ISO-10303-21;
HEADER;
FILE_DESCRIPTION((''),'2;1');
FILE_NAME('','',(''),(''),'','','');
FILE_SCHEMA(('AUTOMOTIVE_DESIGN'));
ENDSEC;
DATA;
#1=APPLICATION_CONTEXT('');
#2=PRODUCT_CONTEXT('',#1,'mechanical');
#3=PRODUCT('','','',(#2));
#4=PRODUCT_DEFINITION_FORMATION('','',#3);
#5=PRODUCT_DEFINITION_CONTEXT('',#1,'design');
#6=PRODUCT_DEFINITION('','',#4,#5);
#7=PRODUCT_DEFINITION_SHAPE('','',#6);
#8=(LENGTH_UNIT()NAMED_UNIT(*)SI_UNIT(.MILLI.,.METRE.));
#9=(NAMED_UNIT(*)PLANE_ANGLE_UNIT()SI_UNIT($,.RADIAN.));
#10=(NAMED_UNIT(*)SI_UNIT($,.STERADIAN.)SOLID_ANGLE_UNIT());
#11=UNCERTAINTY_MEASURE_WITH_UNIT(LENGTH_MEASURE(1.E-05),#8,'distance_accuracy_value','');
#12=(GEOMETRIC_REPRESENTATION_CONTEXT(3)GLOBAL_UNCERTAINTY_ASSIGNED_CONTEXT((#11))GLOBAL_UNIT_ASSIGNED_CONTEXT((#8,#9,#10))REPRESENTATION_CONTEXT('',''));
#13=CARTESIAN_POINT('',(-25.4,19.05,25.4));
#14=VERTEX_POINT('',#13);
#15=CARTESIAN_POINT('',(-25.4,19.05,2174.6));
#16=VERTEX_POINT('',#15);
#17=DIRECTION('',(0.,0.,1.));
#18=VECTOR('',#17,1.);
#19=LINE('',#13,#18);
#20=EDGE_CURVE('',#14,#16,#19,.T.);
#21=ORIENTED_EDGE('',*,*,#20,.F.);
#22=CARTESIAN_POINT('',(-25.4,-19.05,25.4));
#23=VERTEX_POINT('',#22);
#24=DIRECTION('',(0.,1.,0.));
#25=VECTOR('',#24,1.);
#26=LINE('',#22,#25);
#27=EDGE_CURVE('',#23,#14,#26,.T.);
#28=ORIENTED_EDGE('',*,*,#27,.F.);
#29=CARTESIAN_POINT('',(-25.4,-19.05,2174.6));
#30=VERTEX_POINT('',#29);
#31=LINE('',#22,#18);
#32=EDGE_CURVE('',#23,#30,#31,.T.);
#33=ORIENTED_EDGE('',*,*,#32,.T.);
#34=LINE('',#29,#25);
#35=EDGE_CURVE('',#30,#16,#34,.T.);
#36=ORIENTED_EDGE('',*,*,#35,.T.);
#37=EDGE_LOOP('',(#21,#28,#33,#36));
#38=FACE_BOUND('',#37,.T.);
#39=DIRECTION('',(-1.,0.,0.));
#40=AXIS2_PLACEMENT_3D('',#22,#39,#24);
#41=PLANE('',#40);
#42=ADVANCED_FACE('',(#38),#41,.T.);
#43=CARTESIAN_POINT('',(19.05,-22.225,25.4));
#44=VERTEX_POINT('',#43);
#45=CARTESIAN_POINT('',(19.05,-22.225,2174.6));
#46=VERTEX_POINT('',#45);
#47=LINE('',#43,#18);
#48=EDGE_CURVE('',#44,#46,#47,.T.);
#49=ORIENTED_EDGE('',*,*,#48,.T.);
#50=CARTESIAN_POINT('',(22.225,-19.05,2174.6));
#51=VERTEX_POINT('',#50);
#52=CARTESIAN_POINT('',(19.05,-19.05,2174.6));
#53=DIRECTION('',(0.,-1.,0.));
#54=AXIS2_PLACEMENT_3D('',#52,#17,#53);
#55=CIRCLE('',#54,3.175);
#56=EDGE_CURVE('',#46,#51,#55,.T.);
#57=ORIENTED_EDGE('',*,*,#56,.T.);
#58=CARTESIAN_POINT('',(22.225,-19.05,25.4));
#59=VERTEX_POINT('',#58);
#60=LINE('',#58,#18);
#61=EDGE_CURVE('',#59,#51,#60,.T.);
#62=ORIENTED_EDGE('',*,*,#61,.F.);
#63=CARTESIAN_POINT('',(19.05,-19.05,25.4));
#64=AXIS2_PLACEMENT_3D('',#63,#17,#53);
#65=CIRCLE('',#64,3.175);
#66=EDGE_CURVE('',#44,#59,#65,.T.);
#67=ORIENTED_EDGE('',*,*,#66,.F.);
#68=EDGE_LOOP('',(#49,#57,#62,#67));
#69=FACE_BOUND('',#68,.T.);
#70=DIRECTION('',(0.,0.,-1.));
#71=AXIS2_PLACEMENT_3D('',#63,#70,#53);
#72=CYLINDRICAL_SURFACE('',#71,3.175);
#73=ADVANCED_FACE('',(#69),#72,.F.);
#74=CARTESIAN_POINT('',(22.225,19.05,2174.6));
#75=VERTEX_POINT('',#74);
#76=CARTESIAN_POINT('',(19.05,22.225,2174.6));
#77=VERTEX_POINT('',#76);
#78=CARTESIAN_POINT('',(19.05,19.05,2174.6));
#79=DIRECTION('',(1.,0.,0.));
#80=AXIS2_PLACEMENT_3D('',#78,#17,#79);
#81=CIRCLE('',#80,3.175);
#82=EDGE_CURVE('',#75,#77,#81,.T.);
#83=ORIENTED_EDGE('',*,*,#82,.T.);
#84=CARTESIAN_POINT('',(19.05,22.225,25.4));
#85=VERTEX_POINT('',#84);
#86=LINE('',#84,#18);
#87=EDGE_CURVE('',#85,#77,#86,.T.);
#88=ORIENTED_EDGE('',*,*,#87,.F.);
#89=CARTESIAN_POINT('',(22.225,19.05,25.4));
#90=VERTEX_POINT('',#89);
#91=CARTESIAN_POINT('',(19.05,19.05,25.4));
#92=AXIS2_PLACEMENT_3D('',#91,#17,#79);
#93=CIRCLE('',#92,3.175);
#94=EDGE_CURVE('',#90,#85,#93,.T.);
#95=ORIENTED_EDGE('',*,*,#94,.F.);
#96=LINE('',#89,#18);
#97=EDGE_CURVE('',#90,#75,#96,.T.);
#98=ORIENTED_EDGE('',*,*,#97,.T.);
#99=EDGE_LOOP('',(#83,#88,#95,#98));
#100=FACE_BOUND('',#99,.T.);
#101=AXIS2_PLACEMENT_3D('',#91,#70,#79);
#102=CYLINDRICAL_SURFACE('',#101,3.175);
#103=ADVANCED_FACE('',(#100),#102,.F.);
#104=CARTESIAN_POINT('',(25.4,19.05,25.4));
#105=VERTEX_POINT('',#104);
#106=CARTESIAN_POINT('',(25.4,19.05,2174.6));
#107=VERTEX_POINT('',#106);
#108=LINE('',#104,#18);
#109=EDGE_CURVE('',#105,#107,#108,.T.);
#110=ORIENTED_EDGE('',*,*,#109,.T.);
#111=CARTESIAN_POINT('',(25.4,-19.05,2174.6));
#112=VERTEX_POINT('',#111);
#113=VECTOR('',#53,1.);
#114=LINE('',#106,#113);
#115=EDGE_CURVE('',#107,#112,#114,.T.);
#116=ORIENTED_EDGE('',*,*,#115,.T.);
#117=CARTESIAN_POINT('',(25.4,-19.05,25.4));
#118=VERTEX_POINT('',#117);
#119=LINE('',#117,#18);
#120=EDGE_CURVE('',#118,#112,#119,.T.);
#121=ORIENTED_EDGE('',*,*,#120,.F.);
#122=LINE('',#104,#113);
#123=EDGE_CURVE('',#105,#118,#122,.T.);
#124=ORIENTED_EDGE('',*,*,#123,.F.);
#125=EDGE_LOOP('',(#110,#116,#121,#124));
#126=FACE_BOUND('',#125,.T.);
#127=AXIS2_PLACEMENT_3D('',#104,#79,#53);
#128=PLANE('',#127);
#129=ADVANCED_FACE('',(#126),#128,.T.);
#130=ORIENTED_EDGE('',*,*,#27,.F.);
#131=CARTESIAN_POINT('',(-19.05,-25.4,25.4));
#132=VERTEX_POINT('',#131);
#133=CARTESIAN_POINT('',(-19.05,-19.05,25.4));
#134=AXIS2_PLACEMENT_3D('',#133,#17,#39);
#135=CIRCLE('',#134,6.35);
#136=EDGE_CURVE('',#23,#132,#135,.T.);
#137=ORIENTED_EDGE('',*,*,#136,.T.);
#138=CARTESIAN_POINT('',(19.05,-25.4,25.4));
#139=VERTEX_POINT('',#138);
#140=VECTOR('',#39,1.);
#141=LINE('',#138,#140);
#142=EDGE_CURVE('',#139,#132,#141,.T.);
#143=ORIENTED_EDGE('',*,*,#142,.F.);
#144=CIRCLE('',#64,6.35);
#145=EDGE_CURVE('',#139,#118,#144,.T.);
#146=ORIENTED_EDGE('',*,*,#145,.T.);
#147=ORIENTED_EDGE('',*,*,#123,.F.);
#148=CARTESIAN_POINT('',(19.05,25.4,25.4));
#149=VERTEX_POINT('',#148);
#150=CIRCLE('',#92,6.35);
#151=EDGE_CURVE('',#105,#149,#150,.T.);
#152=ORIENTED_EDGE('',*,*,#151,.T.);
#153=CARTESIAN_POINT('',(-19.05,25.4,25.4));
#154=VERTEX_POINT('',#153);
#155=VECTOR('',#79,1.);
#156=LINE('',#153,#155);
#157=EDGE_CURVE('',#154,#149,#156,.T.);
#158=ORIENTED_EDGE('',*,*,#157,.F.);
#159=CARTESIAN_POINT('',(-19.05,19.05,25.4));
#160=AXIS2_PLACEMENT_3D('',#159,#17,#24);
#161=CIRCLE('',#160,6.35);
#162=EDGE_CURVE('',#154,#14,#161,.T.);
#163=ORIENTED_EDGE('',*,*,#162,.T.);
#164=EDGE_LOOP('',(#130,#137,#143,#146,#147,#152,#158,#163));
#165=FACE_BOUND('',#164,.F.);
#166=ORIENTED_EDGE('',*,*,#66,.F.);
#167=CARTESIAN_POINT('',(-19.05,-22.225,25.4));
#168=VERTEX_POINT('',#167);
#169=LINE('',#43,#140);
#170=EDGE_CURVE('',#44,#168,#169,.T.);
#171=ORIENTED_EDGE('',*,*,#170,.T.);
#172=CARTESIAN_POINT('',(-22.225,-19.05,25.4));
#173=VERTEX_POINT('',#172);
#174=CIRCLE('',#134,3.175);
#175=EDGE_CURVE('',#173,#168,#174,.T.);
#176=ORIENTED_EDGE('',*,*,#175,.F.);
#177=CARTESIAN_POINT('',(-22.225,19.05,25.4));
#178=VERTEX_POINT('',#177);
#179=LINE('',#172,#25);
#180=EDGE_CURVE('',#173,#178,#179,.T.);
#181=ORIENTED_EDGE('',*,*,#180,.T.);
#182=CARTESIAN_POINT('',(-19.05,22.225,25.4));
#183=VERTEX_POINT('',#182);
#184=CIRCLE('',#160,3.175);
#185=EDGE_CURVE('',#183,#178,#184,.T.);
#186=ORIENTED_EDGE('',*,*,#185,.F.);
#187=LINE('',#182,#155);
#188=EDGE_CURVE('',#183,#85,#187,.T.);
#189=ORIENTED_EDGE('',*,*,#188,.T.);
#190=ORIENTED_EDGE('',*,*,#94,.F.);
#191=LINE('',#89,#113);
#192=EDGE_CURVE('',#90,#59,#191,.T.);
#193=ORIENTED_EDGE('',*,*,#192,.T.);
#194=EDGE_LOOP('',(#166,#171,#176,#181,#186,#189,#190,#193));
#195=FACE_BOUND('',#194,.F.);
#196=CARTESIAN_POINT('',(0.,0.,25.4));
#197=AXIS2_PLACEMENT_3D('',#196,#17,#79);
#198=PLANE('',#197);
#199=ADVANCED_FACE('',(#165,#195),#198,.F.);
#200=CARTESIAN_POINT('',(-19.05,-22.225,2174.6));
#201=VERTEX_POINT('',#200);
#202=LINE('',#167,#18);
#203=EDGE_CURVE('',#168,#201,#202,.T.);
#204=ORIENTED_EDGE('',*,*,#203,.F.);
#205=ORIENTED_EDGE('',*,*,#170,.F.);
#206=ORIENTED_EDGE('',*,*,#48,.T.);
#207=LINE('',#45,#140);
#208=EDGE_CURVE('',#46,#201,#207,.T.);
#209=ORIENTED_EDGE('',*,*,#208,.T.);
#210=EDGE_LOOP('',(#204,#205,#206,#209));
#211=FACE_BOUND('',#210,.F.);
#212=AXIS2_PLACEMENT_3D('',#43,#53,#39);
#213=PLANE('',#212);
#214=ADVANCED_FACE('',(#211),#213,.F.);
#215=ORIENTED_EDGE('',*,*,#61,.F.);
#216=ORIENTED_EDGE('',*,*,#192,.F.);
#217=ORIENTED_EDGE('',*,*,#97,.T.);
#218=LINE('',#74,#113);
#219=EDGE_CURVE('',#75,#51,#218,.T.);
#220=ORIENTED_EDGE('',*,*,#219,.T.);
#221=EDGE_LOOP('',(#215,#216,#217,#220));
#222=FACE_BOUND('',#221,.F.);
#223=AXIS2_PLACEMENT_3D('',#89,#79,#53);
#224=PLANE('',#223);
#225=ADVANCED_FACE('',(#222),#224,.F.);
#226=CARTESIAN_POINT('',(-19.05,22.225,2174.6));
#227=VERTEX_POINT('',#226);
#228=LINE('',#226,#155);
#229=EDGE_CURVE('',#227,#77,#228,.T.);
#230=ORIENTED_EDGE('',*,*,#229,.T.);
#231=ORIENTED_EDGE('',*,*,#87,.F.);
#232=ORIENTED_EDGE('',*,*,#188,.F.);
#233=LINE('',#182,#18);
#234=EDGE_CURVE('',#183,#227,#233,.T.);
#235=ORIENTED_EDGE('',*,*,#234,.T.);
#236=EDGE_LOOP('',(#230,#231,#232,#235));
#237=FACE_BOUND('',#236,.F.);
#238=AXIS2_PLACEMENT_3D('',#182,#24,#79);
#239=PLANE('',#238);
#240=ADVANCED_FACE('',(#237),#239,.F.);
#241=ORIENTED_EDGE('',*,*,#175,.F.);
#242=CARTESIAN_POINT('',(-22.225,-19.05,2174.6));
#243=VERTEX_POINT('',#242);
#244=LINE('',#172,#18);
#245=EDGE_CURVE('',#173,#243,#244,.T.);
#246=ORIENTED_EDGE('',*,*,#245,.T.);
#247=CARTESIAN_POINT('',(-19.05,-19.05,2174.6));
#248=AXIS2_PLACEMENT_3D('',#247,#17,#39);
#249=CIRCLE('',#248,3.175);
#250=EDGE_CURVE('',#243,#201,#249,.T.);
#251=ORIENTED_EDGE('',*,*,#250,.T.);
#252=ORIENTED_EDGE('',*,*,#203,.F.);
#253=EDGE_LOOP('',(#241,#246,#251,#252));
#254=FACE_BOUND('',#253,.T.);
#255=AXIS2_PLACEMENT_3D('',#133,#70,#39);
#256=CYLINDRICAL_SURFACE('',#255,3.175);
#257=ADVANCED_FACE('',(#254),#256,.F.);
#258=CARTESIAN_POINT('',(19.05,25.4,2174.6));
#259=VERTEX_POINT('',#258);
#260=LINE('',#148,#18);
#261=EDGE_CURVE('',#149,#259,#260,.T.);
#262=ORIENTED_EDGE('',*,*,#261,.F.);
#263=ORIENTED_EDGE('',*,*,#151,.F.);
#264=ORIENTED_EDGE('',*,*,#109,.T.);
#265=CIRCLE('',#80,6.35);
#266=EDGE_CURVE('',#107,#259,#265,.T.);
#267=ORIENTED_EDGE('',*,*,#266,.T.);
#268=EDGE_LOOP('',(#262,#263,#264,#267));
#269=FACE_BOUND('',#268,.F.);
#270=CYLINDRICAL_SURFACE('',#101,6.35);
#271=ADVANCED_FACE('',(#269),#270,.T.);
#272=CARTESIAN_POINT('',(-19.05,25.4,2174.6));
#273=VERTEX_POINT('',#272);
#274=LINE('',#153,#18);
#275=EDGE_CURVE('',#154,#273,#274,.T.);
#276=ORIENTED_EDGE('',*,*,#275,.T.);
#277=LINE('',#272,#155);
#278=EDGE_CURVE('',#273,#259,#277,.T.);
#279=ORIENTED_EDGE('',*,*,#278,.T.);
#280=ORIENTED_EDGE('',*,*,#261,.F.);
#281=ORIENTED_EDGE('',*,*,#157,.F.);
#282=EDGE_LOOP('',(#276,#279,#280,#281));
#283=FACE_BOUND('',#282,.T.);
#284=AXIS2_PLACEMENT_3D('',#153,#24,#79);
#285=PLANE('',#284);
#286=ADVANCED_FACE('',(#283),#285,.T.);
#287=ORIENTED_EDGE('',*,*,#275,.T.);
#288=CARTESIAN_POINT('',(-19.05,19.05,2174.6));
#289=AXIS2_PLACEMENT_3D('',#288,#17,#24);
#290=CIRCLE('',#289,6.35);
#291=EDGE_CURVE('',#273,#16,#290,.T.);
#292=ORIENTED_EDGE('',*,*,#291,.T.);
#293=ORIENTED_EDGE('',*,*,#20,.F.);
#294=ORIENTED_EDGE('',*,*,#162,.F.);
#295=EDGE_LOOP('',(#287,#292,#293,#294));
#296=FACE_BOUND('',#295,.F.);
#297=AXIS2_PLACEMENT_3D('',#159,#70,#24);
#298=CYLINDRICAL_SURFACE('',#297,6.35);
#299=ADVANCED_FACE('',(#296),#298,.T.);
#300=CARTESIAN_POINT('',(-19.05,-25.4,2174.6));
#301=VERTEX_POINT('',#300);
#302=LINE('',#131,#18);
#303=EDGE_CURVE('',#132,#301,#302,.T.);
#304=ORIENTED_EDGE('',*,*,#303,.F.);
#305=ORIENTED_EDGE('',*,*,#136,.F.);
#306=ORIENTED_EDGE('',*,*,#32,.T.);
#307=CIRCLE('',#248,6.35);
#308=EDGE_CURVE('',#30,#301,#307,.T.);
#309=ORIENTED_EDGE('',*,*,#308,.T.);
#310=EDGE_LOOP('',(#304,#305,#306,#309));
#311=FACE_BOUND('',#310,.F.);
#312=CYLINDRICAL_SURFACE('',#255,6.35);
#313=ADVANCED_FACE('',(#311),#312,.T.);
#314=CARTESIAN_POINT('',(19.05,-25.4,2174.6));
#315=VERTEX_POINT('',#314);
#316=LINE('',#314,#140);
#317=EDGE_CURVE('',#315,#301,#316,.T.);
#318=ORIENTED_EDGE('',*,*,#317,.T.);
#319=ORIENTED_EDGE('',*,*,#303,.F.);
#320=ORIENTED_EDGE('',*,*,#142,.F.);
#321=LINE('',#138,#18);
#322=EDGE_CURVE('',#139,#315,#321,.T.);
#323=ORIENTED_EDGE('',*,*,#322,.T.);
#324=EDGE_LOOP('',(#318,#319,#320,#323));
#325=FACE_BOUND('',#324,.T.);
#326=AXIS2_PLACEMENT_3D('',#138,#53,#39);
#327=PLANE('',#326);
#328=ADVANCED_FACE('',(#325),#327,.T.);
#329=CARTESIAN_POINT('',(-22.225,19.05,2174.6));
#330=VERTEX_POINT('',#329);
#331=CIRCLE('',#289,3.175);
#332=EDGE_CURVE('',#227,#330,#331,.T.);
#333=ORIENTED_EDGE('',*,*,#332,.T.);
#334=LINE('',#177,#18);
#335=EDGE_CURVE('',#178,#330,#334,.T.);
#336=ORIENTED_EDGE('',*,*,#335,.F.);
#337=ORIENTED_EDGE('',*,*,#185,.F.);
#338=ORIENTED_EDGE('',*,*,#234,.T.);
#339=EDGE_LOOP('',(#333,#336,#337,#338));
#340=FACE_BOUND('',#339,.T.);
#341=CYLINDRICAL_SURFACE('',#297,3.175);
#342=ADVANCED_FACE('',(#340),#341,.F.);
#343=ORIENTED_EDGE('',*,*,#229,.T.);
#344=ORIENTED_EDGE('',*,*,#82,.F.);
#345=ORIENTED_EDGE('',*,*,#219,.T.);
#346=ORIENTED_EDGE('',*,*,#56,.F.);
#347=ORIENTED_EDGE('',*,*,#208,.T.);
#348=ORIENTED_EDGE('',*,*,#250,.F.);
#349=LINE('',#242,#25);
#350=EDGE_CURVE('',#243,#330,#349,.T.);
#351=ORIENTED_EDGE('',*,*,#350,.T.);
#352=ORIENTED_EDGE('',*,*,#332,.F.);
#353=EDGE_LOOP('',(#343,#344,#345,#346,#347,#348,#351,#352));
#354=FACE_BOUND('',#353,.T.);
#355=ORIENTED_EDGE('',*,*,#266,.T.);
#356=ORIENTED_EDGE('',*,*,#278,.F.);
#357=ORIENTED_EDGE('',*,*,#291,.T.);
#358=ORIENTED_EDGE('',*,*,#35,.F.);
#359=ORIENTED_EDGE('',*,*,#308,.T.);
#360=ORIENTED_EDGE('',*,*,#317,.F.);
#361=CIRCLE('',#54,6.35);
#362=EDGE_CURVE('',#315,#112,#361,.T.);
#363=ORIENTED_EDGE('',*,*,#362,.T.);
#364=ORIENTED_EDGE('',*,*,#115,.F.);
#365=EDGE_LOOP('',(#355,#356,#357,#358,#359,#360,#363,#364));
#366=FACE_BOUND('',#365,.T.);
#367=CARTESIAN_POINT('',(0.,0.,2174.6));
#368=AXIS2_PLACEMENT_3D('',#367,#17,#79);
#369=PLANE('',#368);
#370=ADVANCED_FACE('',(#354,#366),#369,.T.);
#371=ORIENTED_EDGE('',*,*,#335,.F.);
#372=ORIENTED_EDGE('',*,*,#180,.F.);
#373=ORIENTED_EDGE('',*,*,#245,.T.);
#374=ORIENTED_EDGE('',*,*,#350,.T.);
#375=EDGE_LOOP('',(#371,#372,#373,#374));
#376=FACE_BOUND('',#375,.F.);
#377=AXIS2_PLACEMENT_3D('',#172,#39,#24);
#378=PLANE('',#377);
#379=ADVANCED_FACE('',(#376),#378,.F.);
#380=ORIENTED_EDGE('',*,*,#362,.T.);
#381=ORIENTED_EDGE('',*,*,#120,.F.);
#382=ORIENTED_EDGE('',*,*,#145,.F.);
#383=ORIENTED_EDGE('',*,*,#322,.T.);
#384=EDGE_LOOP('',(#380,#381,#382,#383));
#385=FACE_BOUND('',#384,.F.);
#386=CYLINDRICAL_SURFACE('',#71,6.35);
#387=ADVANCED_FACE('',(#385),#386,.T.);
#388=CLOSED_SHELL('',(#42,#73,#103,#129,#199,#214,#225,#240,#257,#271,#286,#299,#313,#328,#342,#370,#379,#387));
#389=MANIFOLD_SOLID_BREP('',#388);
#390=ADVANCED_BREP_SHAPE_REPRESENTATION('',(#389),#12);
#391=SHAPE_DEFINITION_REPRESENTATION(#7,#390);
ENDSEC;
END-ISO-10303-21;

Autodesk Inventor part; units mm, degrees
ref_plane "Plano inicial" through (0, 0, 25.4) normal (0, 0, 1) x (1, 0, 0)
ref_plane "Plano final" through (0, 0, 2174.6) normal (0, 0, 1) x (1, 0, 0)
sketch "Boceto" plane through (0, 0, 0) normal (0, 0, 1) x (1, 0, 0)
  line L0 (-25.4, -19.05) -> (-25.4, 19.05)
  line L1 (-19.05, 25.4) -> (19.05, 25.4)
  line L2 (25.4, 19.05) -> (25.4, -19.05)
  line L3 (19.05, -25.4) -> (-19.05, -25.4)
  arc A0 (-25.4, -19.05) -> (-19.05, -25.4) centre (-19.05, -19.05) ccw
  arc A1 (-19.05, 25.4) -> (-25.4, 19.05) centre (-19.05, 19.05) ccw
  arc A2 (25.4, 19.05) -> (19.05, 25.4) centre (19.05, 19.05) ccw
  arc A3 (19.05, -25.4) -> (25.4, -19.05) centre (19.05, -19.05) ccw
  arc A4 (-19.05, 22.225) -> (-22.225, 19.05) centre (-19.05, 19.05) ccw
  line L4 (-19.05, 22.225) -> (19.05, 22.225)
  arc A5 (22.225, 19.05) -> (19.05, 22.225) centre (19.05, 19.05) ccw
  line L5 (22.225, 19.05) -> (22.225, -19.05)
  arc A6 (19.05, -22.225) -> (22.225, -19.05) centre (19.05, -19.05) ccw
  line L6 (19.05, -22.225) -> (-19.05, -22.225)
  arc A7 (-22.225, -19.05) -> (-19.05, -22.225) centre (-19.05, -19.05) ccw
  line L7 (-22.225, -19.05) -> (-22.225, 19.05)
  line L8 (0, 37.4012) -> (0, -37.4012) construction
  line L9 (-37.4012, 0) -> (37.4012, 0) construction
  dimension "d10" = 50.8
  dimension "d11" = 50.8
  dimension "d12" = 3.175
  dimension "d15" = 25.4
  dimension "d16" = 25.4
  dimension "d17" = 6.35
extrude "Cuerpo" add sketch "Boceto" along normal up to surface (2149.2 mm away) from surface at 25.4
sketch "Sketch3" plane through (0, 0, 0) normal (0, 0, 1) x (1, 0, 0)
  line L0 (0, 0) -> (10, 0)
ref_plane "Work Plane3" through (0, 0, 0) normal (0, -1, 0) x (1, 0, 0)
ref_plane "Plano de trabajo4" through (-19.05, -2890, 2174.6) normal (0, 0, 1) x (1, 0, 0)
split "Dividir1" plane through (-19.05, -2890, 2174.6) removes the side toward (0, 0, 1)
ref_plane "Plano de trabajo5" through (0, -2870.95, 25.4) normal (0, 0, -1) x (-1, 0, 0)
split "Dividir2" plane through (0, -2870.95, 25.4) removes the side toward (0, 0, -1)
sketch "Sketch4" plane through (0, 0, 0) normal (0, -1, 0) x (1, 0, 0)
  line L0 (-2, 25.4) -> (12, 25.4) projected
  line L1 (-2, 2174.6) -> (12, 2174.6) projected
  dimension "d19" = 2149.2
equation "\"d10\" = G_H"
equation "\"d11\" = G_W"
equation "\"d12\" = G_T"
equation "\"d15\" = 0.5 * d10"
equation "\"d16\" = 0.5 * d11"
equation "\"d17\" = G_IR"
equation "\"d3\" = G_L"
equation "\"G_W\" = 50.8"
equation "\"G_H\" = 50.8"
equation "\"G_T\" = 3.175"
equation "\"G_IR\" = 6.35"
equation "\"G_L\" = d19"
equation "\"G_OFFSET_START\" = -25.4"
equation "\"G_OFFSET_END\" = -25.4"
equation "\"d13\" = -G_OFFSET_START"
equation "\"d14\" = G_OFFSET_END + B_L"
equation "\"B_L\" = 2200"
properties part number "AISC - 2 x 2 x 1/8 - 84,614" material "Acero, suave"
